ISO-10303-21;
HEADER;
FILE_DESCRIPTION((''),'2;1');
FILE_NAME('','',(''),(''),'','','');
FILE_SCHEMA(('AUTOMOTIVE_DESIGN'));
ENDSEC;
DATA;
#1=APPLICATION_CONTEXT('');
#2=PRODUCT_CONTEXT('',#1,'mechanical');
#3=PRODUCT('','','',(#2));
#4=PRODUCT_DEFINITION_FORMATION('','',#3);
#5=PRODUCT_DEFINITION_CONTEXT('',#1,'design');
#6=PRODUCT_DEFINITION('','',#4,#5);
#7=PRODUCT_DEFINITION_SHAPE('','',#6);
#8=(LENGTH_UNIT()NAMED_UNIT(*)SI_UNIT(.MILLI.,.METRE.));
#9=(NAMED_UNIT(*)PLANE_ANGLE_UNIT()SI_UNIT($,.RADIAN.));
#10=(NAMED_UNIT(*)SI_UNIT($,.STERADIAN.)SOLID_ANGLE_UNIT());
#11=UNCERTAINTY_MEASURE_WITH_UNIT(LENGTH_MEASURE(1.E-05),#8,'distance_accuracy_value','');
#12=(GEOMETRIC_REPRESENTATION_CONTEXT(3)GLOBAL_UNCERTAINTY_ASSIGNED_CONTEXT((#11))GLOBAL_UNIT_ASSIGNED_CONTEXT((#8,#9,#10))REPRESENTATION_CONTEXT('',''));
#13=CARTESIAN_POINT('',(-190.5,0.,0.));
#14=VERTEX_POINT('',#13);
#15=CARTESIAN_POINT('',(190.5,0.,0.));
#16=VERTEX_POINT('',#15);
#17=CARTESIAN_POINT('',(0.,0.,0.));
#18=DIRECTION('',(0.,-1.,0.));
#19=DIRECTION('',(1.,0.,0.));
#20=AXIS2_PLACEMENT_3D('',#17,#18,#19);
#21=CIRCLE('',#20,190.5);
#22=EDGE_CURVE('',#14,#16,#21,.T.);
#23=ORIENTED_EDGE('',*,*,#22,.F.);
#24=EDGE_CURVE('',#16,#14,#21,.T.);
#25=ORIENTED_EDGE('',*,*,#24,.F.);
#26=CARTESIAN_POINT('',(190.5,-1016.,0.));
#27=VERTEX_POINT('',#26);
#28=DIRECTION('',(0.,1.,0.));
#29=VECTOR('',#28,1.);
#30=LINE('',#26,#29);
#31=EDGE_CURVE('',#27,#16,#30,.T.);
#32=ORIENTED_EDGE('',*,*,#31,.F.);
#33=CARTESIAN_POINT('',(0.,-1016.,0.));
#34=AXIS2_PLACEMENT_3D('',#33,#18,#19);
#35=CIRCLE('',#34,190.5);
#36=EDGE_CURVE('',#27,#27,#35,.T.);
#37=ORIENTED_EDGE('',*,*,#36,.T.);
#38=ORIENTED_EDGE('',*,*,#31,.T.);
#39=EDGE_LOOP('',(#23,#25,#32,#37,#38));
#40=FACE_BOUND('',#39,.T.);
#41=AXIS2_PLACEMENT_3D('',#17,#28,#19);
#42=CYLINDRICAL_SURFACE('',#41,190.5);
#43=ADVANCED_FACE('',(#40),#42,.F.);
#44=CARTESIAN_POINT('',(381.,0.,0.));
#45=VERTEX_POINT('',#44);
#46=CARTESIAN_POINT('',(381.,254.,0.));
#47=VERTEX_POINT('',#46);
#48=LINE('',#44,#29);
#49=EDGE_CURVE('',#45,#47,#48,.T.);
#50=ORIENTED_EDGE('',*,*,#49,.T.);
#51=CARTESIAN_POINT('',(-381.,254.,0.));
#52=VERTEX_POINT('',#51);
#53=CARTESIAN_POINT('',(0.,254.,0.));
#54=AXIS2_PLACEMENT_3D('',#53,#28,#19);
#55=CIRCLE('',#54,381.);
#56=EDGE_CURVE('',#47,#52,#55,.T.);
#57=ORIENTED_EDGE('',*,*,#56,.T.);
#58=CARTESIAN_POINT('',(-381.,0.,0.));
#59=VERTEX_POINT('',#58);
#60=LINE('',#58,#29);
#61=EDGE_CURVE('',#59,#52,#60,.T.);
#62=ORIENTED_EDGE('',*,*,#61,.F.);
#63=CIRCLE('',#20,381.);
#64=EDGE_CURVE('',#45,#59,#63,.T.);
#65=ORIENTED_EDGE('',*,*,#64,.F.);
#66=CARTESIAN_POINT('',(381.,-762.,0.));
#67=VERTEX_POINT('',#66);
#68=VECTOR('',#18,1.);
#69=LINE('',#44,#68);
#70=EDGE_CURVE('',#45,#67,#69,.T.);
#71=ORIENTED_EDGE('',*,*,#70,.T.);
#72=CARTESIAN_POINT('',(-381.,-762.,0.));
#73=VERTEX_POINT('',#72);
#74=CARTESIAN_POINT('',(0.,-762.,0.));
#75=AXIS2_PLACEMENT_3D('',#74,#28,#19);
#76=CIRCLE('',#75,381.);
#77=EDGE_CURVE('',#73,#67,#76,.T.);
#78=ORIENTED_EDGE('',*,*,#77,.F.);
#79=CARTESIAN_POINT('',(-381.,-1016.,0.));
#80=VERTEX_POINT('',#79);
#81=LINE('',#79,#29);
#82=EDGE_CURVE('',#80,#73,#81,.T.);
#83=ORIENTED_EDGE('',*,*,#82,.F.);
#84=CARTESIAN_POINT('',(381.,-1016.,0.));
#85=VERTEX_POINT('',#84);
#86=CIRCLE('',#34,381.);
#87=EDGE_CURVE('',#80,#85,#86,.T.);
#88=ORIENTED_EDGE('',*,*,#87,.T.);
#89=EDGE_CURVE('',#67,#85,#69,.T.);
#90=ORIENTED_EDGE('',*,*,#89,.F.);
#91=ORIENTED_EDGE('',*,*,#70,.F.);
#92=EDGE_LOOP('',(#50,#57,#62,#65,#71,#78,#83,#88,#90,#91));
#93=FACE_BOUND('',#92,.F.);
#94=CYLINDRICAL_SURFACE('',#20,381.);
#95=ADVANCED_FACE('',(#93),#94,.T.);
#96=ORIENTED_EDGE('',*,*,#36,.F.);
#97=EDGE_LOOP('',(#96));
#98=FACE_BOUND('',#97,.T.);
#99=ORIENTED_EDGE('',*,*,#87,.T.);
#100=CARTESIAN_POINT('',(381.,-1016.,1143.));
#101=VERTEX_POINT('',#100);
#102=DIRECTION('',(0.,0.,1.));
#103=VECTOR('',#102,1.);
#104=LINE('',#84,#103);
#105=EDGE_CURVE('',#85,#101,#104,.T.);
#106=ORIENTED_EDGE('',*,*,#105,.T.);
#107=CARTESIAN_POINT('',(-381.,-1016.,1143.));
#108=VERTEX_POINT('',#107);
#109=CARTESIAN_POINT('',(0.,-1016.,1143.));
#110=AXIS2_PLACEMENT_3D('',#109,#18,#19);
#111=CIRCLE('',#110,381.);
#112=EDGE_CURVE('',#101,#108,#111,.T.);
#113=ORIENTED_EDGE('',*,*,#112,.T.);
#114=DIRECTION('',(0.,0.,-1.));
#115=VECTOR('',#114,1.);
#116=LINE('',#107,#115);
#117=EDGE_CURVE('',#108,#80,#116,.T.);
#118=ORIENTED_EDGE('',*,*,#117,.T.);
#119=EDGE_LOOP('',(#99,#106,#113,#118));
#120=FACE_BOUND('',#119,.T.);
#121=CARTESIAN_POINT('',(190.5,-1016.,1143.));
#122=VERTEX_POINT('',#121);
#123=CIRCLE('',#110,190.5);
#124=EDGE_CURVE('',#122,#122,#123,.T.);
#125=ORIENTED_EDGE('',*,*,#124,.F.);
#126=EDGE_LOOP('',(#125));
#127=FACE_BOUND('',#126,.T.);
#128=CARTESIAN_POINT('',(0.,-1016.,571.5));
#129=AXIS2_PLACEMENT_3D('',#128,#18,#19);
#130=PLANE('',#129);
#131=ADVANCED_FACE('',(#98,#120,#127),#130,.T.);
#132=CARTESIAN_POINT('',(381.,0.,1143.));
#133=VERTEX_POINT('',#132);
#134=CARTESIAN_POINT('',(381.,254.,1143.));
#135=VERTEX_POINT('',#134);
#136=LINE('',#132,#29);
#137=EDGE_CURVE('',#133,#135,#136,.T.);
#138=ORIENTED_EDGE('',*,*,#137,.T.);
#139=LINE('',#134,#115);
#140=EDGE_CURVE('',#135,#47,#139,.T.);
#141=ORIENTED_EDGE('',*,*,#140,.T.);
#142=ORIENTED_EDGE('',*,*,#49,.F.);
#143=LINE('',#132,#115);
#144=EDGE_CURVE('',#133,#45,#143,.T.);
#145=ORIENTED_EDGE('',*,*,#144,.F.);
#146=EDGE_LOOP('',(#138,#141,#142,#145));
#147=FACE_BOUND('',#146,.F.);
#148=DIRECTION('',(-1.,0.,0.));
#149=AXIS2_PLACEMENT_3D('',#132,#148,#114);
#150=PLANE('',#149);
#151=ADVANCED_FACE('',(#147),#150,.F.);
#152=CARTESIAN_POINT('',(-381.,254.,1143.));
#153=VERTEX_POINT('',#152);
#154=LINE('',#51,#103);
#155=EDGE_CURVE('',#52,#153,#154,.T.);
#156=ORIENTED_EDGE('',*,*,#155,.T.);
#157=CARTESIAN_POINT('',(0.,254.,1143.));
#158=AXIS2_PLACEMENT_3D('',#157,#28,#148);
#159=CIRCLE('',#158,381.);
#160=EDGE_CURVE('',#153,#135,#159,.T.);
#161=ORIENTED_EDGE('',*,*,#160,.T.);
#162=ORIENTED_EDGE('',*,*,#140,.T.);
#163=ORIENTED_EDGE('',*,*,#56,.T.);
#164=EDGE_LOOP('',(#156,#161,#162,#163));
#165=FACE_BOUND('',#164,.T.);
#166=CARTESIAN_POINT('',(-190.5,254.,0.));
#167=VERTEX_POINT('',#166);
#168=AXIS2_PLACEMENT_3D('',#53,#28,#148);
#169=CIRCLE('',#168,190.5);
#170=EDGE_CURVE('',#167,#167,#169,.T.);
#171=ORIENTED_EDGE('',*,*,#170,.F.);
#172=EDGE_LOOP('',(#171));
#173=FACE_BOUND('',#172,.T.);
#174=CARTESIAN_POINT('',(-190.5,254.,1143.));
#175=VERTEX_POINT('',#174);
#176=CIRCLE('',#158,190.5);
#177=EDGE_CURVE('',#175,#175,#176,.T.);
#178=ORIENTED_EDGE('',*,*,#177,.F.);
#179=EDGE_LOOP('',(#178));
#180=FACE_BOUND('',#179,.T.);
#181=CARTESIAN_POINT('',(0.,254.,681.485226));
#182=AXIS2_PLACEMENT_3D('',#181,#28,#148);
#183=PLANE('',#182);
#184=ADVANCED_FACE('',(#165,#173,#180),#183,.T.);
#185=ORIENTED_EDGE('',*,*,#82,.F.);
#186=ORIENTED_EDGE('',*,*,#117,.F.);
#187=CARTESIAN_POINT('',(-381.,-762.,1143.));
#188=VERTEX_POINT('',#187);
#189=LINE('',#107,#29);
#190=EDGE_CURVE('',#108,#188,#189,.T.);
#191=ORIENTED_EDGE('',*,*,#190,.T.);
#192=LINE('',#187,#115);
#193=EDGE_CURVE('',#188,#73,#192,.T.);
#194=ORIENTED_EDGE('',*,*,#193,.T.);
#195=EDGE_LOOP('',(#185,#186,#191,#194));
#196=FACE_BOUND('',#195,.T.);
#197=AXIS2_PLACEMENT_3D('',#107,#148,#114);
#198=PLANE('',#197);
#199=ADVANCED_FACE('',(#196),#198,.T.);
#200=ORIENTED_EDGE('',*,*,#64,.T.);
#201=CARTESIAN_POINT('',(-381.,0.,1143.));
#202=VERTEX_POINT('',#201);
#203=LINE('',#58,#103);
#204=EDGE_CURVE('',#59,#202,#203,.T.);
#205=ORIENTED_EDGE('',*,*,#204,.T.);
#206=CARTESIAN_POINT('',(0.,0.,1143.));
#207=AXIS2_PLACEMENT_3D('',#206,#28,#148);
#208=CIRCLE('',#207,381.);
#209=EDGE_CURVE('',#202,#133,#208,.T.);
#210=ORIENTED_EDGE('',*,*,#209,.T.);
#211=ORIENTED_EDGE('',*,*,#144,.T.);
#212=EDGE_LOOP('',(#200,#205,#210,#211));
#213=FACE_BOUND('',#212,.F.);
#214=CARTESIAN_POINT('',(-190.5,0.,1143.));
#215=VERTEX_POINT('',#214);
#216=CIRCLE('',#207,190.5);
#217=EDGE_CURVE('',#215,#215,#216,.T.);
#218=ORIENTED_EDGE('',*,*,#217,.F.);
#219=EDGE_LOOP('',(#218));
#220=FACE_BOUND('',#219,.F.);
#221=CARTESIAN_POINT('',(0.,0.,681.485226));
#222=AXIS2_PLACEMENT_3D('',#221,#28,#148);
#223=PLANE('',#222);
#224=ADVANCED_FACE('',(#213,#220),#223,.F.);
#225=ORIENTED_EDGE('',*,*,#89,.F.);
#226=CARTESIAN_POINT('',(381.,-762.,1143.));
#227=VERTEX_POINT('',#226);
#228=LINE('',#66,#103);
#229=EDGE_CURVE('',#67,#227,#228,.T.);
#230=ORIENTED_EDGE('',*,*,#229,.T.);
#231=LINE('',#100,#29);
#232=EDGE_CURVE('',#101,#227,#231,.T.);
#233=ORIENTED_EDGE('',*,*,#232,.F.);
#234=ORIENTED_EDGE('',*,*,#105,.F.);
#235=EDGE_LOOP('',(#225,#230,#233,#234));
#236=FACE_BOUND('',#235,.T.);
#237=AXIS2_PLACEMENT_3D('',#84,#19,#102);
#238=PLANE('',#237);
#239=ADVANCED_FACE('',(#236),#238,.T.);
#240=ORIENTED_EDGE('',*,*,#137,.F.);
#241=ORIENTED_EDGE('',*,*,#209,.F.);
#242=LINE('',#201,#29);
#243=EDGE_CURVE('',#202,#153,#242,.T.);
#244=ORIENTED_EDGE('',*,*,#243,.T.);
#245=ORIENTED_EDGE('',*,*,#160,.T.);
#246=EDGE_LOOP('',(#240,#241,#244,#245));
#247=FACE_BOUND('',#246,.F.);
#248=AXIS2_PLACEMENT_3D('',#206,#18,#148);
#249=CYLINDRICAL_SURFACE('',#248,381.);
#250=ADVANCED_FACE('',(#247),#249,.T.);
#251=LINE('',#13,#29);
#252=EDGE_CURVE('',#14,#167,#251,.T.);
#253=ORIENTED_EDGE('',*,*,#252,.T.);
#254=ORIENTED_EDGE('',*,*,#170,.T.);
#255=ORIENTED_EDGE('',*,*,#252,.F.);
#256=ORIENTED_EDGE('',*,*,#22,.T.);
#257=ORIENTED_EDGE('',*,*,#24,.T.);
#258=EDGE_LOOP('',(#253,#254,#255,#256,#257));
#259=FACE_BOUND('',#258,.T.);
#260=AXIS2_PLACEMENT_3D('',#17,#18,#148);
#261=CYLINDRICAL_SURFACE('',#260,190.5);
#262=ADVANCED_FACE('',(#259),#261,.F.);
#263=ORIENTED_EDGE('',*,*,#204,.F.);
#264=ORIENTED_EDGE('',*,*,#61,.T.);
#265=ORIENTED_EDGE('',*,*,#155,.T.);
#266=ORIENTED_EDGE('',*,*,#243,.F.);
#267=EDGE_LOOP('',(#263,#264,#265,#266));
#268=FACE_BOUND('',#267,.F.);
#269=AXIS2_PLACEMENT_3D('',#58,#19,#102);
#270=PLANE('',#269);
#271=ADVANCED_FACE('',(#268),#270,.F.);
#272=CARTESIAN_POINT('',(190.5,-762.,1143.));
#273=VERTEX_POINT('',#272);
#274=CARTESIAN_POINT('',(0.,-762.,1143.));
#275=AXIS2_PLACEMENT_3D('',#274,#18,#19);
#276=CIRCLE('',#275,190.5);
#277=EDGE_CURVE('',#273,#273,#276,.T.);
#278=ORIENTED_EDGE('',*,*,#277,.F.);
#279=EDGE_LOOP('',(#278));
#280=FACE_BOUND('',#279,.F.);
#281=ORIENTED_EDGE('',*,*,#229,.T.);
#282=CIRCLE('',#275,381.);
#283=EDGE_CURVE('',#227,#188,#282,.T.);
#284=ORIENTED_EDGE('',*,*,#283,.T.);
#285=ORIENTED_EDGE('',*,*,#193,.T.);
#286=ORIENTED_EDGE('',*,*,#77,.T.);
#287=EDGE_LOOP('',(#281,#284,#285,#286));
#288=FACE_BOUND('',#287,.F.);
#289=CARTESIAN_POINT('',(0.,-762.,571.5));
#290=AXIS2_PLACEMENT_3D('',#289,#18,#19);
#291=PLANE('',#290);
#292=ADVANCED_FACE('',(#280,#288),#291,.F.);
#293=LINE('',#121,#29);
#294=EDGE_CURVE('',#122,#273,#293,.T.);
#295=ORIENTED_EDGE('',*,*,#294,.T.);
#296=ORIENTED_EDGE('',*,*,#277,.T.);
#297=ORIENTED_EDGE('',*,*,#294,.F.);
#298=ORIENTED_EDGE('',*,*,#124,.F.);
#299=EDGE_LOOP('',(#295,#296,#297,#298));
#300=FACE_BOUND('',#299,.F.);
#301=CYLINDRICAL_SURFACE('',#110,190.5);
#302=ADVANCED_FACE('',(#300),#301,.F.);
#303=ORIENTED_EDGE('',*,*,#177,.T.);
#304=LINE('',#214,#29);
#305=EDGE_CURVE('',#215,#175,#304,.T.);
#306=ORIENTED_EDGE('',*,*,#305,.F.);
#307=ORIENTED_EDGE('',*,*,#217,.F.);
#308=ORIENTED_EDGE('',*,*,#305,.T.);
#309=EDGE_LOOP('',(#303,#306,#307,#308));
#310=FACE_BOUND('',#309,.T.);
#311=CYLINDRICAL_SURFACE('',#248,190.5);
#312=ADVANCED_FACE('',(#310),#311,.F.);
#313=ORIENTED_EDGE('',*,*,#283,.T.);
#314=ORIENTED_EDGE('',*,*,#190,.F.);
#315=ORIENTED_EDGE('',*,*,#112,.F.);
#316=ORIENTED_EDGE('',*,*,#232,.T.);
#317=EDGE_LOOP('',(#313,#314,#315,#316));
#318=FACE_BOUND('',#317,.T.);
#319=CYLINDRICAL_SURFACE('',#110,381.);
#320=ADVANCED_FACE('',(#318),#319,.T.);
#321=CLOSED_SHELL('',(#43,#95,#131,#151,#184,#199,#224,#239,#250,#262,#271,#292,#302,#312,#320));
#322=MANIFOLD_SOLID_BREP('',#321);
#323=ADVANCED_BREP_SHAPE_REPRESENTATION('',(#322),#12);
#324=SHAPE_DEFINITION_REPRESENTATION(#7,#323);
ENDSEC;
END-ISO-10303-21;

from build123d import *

# Parameters (mm, degrees)
F0_R     = 381
F0_R_2   = 190.5
F1_DEPTH = 1016
F2_R     = 190.5
F3_DEPTH = 254
F4_R     = 190.5
F5_DEPTH = 254


with BuildPart() as f1:
    # F0 (on Front) → F1 (new body)
    with BuildSketch(Plane.XZ):
        Circle(F0_R)
        Circle(F0_R_2, mode=Mode.SUBTRACT)
    extrude(amount=F1_DEPTH)

    # F2 (on face) → F3 (join)
    with BuildSketch(Plane.XZ.offset(1016)):
        with BuildLine():
            Line((381, 0), (381, 1143))
            ThreePointArc((381, 1143), (0, 1524), (-381, 1143))
            Line((-381, 1143), (-381, 0))
            ThreePointArc((-381, 0), (0, -381), (381, 0))
        make_face()
        Circle(F2_R, mode=Mode.SUBTRACT)
        with Locations((0, 1143)):
            Circle(F2_R, mode=Mode.SUBTRACT)
    extrude(amount=-F3_DEPTH)

    # F4 (on face) → F5 (join)
    with BuildSketch(Plane(origin=(0, 0, 0), x_dir=(-1, 0, 0), z_dir=(0, 1, 0))):
        with BuildLine():
            ThreePointArc((381, 1143), (0, 1524), (-381, 1143))
            Line((-381, 1143), (-381, 0))
            ThreePointArc((-381, 0), (0, 381), (381, 0))
            Line((381, 0), (381, 1143))
        make_face()
        with Locations((0, 1143)):
            Circle(F4_R, mode=Mode.SUBTRACT)
        with BuildLine():
            ThreePointArc((381, 0), (0, 381), (-381, 0))
            ThreePointArc((-381, 0), (0, -381), (381, 0))
        make_face()
        Circle(F4_R, mode=Mode.SUBTRACT)
    extrude(amount=F5_DEPTH)


solid = f1.part
